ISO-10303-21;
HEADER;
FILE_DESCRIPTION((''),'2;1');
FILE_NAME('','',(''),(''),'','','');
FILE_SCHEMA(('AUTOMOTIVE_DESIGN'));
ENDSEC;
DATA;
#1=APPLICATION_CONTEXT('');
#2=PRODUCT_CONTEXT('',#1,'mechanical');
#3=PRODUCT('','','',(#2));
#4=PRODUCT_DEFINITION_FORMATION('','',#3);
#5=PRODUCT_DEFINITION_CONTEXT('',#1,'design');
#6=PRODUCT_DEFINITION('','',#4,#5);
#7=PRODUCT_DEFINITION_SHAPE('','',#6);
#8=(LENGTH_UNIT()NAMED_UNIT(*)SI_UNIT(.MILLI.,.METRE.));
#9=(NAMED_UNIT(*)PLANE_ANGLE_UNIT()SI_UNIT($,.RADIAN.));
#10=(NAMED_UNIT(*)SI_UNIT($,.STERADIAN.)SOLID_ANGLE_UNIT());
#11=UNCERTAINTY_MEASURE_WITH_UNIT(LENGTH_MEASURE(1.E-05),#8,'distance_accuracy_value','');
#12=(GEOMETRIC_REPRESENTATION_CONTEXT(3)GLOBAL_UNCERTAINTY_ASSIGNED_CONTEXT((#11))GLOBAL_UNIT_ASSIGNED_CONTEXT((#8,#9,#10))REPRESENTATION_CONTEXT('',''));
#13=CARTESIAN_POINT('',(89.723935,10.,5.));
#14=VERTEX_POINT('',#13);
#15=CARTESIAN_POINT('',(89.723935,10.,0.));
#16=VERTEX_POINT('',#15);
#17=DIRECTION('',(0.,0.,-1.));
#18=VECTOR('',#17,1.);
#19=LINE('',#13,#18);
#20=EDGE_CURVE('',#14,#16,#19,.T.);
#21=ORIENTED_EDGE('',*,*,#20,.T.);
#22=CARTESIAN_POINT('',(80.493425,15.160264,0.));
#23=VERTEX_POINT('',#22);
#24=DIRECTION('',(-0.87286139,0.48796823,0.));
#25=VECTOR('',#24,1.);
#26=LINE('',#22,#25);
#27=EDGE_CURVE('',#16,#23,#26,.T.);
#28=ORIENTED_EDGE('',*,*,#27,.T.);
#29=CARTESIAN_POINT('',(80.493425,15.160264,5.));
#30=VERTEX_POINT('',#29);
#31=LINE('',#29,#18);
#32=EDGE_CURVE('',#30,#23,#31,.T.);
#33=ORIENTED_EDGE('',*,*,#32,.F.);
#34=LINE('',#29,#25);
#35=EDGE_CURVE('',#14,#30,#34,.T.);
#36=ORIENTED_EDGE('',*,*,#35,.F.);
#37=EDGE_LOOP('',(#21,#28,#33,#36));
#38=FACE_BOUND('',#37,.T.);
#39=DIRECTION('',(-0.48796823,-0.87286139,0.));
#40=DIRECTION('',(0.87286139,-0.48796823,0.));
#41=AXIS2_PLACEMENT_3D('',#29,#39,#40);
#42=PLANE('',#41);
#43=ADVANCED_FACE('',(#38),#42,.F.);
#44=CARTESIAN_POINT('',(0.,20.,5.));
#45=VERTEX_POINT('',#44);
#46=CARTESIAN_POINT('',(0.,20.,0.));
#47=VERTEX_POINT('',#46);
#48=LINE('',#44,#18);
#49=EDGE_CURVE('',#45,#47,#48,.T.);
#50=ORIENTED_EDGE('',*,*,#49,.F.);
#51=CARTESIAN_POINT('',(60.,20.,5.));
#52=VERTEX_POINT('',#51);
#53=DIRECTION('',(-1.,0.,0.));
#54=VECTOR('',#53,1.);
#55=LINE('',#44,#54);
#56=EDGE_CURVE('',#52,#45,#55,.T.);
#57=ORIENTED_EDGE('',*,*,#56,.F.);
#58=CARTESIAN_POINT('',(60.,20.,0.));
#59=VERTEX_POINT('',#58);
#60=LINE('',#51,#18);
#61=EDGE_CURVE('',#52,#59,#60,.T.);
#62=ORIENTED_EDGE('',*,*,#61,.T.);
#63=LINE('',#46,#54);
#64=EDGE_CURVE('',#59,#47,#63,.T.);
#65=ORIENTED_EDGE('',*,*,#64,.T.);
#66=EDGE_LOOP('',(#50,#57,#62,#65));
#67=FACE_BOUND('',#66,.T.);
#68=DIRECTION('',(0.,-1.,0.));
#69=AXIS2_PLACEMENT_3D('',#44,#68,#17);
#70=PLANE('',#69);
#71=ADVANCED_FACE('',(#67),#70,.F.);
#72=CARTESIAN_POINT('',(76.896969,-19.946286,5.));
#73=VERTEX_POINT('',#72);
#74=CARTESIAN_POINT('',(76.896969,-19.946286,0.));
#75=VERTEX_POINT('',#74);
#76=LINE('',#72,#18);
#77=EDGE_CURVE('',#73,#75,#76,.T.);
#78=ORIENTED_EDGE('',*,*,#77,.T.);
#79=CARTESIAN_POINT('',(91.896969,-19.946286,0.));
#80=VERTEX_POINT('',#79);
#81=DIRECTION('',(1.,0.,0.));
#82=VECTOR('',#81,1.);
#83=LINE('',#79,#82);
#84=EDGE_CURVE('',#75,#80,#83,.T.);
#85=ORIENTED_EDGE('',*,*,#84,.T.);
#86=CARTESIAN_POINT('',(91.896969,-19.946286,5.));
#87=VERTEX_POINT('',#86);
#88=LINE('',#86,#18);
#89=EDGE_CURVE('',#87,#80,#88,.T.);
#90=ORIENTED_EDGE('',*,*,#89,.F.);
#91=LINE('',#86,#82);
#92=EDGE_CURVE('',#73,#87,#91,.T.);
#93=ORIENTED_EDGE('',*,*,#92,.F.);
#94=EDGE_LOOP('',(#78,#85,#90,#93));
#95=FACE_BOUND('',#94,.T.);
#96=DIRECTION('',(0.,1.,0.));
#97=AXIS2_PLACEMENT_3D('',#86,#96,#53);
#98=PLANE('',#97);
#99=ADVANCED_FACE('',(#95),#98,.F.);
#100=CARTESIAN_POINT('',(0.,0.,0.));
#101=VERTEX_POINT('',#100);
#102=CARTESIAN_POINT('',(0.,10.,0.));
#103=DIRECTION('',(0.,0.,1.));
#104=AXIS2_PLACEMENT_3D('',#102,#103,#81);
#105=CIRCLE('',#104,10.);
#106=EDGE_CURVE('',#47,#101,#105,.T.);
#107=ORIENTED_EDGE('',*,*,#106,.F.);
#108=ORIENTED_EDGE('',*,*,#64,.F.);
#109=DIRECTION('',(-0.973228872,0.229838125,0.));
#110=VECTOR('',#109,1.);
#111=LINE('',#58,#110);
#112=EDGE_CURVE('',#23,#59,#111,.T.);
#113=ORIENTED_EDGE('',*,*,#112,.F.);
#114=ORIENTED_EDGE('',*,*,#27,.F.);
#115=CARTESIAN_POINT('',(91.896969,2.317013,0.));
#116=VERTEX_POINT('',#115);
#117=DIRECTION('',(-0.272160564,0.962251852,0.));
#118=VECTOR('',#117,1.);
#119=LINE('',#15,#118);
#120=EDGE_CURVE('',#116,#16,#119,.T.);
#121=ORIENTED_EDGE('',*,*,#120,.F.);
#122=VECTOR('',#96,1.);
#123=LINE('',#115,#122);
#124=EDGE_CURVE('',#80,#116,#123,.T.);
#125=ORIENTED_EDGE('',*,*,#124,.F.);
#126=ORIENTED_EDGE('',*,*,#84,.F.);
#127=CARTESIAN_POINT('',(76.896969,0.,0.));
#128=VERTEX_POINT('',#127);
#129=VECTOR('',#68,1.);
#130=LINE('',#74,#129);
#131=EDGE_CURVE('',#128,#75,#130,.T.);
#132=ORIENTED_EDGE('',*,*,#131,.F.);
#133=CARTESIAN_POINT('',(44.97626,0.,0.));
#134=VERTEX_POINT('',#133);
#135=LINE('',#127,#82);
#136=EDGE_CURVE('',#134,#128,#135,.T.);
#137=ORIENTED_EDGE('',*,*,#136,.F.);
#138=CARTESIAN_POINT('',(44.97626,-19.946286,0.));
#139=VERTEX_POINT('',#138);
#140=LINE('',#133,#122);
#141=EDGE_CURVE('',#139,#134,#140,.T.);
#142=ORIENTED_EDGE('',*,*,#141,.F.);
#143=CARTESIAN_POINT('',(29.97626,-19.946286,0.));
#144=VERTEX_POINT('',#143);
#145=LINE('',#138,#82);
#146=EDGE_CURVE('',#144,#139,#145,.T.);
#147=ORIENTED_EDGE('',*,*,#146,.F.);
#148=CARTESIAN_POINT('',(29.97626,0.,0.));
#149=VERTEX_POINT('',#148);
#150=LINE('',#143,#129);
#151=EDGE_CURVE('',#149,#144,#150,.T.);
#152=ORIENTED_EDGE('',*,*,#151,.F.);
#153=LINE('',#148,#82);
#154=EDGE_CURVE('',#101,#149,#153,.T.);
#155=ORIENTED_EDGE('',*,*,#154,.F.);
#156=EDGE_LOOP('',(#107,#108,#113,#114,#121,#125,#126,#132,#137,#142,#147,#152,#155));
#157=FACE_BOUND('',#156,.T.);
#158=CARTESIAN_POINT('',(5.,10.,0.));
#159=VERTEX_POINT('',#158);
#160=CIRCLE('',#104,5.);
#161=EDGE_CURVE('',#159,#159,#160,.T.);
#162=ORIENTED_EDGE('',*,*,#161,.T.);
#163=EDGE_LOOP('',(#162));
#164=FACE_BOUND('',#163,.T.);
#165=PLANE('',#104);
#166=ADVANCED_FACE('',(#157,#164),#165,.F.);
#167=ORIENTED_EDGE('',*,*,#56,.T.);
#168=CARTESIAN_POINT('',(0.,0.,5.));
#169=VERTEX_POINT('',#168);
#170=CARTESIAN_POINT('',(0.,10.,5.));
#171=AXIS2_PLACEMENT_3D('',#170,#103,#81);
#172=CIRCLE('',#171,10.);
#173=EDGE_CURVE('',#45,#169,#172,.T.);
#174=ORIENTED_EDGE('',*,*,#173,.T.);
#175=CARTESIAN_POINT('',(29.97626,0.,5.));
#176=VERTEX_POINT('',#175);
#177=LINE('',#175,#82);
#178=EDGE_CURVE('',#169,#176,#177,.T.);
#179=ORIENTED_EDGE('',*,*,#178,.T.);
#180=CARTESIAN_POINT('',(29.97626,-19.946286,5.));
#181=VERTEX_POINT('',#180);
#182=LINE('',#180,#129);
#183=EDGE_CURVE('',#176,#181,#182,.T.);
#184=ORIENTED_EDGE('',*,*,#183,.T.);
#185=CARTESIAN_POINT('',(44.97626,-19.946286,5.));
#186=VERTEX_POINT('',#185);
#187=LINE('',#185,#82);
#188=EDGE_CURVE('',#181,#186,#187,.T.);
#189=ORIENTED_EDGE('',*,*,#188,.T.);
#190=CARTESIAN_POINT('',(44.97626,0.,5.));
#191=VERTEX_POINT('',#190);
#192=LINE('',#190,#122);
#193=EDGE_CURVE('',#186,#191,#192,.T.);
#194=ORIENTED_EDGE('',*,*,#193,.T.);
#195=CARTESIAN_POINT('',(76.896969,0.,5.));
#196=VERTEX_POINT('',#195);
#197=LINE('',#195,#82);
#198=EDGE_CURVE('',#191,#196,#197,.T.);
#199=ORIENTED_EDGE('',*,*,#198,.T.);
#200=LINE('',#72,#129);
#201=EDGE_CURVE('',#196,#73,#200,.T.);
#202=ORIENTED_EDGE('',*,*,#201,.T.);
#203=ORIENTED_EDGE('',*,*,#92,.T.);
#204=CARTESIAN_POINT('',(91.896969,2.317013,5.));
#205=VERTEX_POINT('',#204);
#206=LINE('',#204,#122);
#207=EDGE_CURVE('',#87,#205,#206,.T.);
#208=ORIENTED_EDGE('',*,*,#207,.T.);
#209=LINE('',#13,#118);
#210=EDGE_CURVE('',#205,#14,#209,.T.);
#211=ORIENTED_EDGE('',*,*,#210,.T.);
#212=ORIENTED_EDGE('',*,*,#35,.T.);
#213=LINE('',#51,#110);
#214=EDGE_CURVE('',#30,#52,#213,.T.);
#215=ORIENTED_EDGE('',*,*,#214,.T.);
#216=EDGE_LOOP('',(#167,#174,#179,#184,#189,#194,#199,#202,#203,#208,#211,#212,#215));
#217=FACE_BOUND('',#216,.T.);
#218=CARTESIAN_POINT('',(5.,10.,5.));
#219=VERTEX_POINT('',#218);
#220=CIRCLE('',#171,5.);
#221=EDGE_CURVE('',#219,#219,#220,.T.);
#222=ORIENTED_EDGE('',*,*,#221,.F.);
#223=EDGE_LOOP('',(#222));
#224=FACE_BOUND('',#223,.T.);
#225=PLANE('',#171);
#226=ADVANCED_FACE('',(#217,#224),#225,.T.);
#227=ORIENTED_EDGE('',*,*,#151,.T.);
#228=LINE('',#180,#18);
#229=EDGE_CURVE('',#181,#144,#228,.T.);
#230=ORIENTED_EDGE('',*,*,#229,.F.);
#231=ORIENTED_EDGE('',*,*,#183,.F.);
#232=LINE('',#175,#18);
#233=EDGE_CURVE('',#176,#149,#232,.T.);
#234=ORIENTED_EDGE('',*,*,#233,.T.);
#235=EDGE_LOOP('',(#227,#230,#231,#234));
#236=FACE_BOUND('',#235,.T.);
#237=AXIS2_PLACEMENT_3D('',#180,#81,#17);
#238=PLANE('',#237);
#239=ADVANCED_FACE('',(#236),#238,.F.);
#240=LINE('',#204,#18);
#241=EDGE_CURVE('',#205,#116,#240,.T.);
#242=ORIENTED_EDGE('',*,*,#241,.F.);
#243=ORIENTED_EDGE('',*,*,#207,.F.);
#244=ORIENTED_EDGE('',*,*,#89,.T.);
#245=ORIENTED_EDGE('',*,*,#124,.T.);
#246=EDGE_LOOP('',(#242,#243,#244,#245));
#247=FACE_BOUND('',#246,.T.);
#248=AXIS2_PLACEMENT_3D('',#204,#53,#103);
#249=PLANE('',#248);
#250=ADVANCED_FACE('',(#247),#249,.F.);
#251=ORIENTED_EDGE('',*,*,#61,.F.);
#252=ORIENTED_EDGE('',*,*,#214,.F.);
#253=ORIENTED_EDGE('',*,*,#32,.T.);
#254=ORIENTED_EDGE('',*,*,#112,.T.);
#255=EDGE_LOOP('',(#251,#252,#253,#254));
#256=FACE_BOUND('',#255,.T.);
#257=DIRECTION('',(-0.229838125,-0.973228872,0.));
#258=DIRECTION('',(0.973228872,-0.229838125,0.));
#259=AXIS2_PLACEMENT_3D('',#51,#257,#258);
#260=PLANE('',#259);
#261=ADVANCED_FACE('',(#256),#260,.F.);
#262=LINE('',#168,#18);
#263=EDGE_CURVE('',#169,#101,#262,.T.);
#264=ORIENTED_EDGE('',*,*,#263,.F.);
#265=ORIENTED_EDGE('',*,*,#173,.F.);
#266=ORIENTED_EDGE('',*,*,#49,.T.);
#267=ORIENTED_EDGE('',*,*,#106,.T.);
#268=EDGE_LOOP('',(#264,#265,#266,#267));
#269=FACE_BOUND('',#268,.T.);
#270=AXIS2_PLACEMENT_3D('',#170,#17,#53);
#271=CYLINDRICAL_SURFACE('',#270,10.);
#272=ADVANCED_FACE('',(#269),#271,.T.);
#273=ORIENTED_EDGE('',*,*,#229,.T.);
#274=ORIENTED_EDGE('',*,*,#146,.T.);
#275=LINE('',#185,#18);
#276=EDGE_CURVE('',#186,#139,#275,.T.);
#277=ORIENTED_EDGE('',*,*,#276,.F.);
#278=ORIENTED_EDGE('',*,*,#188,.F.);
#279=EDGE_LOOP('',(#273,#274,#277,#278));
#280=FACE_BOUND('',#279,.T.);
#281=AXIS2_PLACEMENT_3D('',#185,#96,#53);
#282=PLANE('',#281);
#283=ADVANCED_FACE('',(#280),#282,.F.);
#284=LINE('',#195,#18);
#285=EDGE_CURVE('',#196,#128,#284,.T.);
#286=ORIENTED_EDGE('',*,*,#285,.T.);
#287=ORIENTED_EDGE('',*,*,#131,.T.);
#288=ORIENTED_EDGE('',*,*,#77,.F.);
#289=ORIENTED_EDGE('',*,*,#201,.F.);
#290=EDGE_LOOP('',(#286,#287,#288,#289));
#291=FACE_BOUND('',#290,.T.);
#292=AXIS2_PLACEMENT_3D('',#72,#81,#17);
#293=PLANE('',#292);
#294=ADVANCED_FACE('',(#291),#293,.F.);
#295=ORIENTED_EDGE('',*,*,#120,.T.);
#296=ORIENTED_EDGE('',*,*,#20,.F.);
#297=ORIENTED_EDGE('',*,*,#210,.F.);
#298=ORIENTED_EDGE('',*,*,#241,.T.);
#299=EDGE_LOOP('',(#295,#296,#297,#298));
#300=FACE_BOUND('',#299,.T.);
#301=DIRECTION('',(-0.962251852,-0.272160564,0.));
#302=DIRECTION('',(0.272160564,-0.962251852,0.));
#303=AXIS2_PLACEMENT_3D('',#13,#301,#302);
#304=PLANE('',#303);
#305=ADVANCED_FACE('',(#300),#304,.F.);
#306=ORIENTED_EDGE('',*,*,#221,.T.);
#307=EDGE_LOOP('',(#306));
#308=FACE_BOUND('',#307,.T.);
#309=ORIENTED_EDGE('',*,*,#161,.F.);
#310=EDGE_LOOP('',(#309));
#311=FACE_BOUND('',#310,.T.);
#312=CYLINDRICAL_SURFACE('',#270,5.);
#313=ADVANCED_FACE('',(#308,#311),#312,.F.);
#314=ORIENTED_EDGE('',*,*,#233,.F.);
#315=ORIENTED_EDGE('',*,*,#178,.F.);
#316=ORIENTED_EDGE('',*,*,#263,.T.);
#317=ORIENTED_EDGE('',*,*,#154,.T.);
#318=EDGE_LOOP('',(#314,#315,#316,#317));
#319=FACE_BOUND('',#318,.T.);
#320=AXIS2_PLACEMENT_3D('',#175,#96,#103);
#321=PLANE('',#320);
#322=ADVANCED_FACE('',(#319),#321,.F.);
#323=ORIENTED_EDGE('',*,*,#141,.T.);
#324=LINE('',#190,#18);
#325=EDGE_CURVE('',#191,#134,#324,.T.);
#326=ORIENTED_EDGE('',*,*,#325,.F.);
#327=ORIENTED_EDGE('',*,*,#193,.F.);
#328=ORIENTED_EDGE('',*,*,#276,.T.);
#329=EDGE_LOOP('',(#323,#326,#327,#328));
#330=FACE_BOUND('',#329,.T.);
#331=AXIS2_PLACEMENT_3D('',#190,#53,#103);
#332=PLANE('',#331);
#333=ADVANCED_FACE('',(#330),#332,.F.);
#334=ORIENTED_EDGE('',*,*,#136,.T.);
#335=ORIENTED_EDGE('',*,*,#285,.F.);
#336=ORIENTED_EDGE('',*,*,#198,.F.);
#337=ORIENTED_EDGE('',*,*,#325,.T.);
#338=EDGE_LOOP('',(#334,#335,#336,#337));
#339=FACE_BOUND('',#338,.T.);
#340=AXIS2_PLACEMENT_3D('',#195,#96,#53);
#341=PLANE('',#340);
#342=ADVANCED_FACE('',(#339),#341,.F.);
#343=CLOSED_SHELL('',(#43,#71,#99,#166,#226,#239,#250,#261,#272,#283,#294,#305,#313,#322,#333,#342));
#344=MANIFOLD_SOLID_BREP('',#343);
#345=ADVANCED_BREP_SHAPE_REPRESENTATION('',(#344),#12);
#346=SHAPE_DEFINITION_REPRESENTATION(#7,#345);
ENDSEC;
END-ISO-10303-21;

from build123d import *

# Parameters (mm, degrees)
SKETCH1_R           = 5
BOSS_EXTRUDE1_DEPTH = 5


with BuildPart() as part:
    # Sketch1 → Boss-Extrude1 (new body)
    with BuildSketch(Plane.XY):
        with BuildLine():
            Line((0, 20), (60, 20))
            Line((60, 20), (80.493425393, 15.160264355))
            Line((80.493425393, 15.160264355), (89.723935177, 10))
            Line((89.723935177, 10), (91.89696936, 2.317012659))
            Line((91.89696936, 2.317012659), (91.89696936, -19.946286041))
            Line((91.89696936, -19.946286041), (76.89696936, -19.946286041))
            Line((76.89696936, -19.946286041), (76.89696936, 0))
            Line((76.89696936, 0), (44.976259551, 0))
            Line((44.976259551, 0), (44.976259551, -19.946286041))
            Line((44.976259551, -19.946286041), (29.976259551, -19.946286041))
            Line((29.976259551, -19.946286041), (29.976259551, 0))
            Line((29.976259551, 0), (0, 0))
            ThreePointArc((0, 0), (-10, 10), (0, 20))
        make_face()
        with Locations((0, 10)):
            Circle(SKETCH1_R, mode=Mode.SUBTRACT)
    extrude(amount=BOSS_EXTRUDE1_DEPTH)


solid = part.part
